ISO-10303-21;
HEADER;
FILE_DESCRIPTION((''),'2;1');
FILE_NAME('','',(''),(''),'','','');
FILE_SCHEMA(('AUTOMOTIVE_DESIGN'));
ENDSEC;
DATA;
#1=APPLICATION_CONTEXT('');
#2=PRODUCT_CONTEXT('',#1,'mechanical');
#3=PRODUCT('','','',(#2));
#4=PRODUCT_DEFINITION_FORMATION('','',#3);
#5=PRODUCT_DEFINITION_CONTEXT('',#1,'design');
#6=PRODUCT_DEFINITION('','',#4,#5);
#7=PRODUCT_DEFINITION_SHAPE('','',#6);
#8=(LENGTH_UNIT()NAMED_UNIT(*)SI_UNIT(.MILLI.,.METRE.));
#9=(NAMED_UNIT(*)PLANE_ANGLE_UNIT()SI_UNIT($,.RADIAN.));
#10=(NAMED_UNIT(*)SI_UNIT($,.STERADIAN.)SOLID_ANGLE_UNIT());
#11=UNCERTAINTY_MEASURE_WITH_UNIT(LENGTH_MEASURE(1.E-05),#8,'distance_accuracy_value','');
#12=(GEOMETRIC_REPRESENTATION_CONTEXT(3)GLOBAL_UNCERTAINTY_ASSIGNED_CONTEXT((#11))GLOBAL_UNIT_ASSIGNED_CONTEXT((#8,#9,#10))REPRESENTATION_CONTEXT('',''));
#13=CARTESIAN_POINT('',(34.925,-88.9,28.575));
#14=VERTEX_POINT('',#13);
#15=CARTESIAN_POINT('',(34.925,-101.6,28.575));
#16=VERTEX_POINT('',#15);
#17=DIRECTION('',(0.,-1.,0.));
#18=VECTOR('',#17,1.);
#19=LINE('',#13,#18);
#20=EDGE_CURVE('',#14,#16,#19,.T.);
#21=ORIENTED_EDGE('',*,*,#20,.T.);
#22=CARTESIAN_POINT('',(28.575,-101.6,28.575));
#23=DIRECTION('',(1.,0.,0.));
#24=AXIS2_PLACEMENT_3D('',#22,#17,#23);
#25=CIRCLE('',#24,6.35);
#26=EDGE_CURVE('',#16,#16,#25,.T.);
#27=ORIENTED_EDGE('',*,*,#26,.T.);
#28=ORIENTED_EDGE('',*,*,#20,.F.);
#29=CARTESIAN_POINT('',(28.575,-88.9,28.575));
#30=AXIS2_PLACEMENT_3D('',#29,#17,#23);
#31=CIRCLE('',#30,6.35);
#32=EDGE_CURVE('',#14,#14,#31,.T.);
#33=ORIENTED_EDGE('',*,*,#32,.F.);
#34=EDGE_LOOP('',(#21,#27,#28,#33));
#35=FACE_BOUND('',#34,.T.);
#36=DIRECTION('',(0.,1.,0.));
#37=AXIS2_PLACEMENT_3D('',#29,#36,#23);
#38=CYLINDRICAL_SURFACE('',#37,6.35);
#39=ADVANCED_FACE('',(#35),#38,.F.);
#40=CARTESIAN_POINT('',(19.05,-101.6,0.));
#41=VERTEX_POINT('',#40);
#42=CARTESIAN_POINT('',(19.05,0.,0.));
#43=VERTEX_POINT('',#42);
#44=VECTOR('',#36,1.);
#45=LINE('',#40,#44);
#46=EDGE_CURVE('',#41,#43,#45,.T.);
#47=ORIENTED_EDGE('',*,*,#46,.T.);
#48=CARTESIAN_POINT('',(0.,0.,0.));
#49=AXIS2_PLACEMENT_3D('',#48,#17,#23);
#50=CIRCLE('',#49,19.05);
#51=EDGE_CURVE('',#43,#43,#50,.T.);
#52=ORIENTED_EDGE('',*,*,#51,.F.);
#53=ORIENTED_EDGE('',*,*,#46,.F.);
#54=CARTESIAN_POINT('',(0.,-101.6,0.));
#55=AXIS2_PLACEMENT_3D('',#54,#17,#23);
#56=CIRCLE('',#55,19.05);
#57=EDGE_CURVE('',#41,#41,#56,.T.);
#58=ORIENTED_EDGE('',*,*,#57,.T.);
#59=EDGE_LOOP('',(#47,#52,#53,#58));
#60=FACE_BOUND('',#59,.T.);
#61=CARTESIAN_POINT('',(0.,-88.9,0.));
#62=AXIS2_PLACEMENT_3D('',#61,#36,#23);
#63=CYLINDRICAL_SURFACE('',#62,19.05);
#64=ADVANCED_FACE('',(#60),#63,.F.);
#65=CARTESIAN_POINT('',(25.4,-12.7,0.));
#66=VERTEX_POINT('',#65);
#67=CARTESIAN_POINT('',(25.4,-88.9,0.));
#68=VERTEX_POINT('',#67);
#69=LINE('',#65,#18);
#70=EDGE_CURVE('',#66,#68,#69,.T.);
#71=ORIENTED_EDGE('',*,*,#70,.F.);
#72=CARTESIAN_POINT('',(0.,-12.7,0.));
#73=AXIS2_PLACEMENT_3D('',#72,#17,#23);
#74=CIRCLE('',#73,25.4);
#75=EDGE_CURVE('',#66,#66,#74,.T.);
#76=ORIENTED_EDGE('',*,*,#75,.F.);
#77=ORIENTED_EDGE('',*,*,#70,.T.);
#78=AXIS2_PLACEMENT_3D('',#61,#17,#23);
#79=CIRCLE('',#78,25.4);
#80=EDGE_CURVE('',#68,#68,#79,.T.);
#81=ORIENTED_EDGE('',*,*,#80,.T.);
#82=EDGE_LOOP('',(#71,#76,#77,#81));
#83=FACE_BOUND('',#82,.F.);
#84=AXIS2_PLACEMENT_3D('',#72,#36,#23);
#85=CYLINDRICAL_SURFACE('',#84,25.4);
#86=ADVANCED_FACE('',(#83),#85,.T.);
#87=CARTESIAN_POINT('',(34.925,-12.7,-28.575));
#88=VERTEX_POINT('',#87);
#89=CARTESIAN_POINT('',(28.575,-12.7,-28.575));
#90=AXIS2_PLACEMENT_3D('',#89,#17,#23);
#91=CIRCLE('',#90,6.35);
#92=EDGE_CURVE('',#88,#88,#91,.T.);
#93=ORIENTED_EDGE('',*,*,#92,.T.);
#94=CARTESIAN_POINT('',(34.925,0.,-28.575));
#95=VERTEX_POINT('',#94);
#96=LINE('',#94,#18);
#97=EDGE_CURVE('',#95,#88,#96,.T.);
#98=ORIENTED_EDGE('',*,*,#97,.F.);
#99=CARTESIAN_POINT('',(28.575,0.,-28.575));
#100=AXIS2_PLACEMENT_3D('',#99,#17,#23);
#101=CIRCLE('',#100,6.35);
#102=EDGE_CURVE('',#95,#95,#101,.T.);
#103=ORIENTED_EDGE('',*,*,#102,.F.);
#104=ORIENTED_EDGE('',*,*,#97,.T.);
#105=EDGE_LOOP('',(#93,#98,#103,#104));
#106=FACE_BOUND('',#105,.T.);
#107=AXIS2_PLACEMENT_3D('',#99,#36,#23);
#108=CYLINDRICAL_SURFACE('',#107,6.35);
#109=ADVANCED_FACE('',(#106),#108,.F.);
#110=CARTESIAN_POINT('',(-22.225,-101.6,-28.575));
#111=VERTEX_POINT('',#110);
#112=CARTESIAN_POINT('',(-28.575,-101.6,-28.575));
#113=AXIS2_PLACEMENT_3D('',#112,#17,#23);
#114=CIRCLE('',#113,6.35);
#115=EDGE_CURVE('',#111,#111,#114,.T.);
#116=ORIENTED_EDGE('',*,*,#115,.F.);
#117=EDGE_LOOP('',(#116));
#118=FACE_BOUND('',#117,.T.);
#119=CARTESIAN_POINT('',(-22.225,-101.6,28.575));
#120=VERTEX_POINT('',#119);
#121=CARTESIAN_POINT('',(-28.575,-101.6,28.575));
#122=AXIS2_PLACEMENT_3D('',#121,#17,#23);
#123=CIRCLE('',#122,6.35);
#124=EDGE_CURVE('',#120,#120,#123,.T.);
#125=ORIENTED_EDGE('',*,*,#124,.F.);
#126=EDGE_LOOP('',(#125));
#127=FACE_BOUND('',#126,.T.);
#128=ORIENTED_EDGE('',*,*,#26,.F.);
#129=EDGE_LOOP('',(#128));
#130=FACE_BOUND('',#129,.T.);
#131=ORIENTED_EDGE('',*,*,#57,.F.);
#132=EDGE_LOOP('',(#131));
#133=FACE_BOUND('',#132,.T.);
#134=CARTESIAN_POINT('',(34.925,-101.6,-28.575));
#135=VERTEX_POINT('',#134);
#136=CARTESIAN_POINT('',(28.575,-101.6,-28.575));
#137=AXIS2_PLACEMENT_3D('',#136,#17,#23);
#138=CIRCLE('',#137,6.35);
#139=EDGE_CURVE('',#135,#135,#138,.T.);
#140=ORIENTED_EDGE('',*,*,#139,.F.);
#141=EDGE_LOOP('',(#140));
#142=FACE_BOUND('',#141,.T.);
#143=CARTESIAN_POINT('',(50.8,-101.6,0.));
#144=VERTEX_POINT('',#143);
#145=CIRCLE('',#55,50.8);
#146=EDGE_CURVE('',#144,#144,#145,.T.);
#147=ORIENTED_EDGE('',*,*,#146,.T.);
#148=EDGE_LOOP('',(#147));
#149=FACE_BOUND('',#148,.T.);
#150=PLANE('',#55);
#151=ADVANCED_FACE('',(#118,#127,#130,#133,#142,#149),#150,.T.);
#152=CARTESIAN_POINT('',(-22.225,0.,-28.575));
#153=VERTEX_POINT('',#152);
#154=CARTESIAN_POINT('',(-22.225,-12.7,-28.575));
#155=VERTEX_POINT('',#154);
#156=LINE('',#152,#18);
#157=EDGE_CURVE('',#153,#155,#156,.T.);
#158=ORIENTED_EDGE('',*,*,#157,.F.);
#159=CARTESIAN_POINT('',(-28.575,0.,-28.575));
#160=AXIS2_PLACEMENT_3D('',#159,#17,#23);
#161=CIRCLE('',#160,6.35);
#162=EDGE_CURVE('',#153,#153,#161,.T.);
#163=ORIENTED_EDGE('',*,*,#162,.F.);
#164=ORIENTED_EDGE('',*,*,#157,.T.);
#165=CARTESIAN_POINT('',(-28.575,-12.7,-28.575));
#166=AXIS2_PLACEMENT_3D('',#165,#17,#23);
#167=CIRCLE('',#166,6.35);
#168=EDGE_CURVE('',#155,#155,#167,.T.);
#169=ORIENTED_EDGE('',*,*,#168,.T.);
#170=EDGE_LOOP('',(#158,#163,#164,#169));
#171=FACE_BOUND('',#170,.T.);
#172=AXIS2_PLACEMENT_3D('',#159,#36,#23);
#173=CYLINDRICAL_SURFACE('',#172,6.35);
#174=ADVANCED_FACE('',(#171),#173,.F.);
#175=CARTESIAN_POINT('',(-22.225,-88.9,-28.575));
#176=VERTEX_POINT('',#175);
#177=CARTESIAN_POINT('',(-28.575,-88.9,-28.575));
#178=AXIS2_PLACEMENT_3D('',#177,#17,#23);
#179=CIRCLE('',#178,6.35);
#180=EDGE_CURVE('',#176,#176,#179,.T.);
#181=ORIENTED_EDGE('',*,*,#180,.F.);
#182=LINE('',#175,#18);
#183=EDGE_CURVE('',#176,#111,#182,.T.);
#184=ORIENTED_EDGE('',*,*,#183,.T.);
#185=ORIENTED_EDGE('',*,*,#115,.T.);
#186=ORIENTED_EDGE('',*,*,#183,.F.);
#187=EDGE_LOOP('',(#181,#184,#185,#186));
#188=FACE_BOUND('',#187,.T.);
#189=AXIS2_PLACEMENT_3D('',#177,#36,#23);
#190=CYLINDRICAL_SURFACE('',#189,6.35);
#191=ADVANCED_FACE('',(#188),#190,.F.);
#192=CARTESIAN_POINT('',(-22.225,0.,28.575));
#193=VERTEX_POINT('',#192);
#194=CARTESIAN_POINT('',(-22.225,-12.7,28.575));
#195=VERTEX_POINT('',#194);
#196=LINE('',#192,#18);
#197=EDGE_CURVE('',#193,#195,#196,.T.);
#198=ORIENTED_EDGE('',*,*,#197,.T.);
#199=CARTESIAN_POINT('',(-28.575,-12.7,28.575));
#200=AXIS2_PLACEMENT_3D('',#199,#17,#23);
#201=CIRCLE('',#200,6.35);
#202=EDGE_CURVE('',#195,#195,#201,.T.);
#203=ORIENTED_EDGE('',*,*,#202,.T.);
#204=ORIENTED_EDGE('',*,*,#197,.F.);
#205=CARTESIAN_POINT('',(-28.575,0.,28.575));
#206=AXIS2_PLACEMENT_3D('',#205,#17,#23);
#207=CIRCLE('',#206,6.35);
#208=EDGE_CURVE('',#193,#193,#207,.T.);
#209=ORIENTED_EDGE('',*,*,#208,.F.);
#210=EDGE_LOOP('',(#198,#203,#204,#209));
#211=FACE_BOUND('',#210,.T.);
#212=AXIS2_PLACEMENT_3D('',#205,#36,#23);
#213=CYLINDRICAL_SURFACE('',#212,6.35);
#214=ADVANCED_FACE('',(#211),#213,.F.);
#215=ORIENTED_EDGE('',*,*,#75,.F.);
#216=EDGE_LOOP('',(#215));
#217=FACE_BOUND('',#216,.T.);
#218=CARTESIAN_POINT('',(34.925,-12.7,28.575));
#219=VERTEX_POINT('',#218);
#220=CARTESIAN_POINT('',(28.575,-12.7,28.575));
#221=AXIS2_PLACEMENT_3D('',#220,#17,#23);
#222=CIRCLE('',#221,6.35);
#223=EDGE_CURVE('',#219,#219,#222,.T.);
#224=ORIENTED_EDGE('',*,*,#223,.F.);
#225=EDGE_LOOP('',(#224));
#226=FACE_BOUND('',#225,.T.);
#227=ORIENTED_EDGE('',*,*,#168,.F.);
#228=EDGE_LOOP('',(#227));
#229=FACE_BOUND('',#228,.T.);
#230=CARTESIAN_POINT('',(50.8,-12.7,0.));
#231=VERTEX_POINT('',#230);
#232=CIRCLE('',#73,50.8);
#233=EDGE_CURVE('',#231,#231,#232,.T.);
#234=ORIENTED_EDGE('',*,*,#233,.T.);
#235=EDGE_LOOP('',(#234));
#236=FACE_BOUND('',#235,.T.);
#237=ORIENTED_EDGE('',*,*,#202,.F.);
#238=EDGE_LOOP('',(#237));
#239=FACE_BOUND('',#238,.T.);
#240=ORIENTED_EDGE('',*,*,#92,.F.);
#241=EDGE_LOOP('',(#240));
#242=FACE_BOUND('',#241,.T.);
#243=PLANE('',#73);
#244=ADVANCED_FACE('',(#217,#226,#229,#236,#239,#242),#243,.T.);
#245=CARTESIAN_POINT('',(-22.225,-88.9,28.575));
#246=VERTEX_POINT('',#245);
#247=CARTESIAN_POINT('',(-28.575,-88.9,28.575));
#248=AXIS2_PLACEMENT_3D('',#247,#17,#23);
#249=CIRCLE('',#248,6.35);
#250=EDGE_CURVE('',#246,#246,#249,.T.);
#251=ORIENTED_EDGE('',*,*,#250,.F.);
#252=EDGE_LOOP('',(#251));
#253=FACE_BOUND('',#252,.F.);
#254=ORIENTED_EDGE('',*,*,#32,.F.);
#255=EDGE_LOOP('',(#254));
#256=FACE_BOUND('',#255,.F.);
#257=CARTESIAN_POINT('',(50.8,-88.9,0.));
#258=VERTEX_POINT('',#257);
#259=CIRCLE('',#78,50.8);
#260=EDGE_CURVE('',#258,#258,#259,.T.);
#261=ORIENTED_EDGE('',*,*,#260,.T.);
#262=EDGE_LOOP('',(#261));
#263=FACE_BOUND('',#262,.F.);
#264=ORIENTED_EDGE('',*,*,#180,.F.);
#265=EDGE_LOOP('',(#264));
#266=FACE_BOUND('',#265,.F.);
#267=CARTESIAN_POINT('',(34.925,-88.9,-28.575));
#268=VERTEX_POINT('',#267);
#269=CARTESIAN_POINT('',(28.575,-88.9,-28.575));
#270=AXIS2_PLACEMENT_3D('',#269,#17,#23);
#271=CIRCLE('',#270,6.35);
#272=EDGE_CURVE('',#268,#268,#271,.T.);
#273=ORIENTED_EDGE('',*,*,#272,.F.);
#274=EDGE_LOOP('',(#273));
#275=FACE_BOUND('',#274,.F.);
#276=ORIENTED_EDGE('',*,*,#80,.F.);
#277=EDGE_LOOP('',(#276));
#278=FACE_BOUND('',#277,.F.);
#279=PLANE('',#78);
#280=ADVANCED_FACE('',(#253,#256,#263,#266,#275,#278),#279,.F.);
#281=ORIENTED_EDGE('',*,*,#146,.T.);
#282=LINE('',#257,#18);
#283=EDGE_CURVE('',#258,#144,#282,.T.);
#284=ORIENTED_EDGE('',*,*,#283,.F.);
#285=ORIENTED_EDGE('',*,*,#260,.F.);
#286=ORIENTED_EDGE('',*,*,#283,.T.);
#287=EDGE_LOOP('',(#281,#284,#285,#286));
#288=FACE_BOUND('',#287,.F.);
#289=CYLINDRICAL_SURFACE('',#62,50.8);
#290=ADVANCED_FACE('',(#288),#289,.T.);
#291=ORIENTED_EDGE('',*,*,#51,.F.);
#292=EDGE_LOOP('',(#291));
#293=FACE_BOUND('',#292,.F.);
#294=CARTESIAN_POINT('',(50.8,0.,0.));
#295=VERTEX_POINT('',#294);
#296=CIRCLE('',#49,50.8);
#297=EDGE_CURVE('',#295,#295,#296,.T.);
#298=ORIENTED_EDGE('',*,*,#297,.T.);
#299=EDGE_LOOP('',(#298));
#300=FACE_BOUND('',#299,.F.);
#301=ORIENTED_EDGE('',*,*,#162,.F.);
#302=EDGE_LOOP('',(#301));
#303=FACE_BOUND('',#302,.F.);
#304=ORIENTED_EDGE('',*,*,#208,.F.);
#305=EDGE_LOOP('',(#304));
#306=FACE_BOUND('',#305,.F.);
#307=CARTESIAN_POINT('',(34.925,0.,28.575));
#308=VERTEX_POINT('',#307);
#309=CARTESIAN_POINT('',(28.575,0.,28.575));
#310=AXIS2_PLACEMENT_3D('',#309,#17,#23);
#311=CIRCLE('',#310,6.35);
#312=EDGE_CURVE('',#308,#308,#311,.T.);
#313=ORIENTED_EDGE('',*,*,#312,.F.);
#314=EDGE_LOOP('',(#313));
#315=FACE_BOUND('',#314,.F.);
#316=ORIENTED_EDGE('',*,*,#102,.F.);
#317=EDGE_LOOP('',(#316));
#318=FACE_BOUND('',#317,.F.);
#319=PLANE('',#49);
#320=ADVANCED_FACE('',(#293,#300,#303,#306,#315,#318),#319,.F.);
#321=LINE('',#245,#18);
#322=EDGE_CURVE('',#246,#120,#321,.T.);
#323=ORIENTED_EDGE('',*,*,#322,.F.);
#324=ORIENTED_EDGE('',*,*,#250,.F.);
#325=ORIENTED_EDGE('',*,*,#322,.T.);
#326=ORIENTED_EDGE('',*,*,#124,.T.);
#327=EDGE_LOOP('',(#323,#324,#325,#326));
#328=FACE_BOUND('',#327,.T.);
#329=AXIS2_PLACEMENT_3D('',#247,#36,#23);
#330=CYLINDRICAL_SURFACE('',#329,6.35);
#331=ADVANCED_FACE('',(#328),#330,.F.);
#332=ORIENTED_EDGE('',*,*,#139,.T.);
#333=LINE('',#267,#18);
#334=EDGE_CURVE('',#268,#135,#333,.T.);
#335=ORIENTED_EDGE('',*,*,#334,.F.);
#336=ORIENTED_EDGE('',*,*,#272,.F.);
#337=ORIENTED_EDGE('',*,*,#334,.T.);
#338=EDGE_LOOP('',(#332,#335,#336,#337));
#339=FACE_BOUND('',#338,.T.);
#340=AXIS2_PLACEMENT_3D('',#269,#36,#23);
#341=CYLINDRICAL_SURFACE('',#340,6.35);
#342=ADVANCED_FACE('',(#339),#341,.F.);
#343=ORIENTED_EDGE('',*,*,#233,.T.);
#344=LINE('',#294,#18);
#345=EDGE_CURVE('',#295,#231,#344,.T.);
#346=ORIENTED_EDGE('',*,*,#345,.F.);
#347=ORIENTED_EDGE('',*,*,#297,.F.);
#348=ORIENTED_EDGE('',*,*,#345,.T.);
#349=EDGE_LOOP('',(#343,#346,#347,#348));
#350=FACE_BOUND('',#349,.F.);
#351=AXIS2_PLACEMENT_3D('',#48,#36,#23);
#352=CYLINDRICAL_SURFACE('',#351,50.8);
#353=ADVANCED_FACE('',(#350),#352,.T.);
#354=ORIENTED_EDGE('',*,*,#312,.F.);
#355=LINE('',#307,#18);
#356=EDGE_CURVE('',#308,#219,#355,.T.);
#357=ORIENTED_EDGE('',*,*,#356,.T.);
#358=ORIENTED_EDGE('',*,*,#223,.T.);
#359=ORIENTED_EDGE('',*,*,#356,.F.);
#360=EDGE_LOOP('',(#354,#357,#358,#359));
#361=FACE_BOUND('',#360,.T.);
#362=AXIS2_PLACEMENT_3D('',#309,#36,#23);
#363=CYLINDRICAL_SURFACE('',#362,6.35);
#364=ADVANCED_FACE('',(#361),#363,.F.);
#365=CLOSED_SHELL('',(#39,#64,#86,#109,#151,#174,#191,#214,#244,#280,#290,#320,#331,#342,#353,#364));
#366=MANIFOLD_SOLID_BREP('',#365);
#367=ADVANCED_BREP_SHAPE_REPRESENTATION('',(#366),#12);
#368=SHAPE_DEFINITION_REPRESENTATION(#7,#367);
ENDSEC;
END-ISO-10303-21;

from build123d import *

# Parameters (mm, degrees)
F0_R     = 50.8
F0_R_2   = 6.35
F0_R_3   = 25.4
F0_R_4   = 19.05
F1_DEPTH = 12.7
F2_R     = 25.4
F2_R_2   = 19.05
F3_DEPTH = 76.2
F4_R     = 50.8
F4_R_2   = 6.35
F4_R_3   = 25.4
F4_R_4   = 19.05
F5_DEPTH = 12.7


with BuildPart() as f1:
    # F0 (on Front) → F1 (new body)
    with BuildSketch(Plane.XZ):
        Circle(F0_R)
        with Locations((-28.575, -28.575)):
            Circle(F0_R_2, mode=Mode.SUBTRACT)
        Circle(F0_R_3, mode=Mode.SUBTRACT)
        with Locations((28.575, -28.575)):
            Circle(F0_R_2, mode=Mode.SUBTRACT)
        with Locations((-28.575, 28.575)):
            Circle(F0_R_2, mode=Mode.SUBTRACT)
        with Locations((28.575, 28.575)):
            Circle(F0_R_2, mode=Mode.SUBTRACT)
        Circle(F0_R_3)
        Circle(F0_R_4, mode=Mode.SUBTRACT)
    extrude(amount=F1_DEPTH)

    # F2 (on face) → F3 (join)
    with BuildSketch(Plane.XZ.offset(12.7)):
        Circle(F2_R)
        Circle(F2_R_2, mode=Mode.SUBTRACT)
    extrude(amount=F3_DEPTH)

    # F4 (on face) → F5 (join)
    with BuildSketch(Plane.XZ.offset(88.9)):
        Circle(F4_R)
        with Locations((-28.575, -28.575)):
            Circle(F4_R_2, mode=Mode.SUBTRACT)
        Circle(F4_R_3, mode=Mode.SUBTRACT)
        with Locations((28.575, -28.575)):
            Circle(F4_R_2, mode=Mode.SUBTRACT)
        with Locations((-28.575, 28.575)):
            Circle(F4_R_2, mode=Mode.SUBTRACT)
        with Locations((28.575, 28.575)):
            Circle(F4_R_2, mode=Mode.SUBTRACT)
        Circle(F4_R_3)
        Circle(F4_R_4, mode=Mode.SUBTRACT)
    extrude(amount=F5_DEPTH)


solid = f1.part
